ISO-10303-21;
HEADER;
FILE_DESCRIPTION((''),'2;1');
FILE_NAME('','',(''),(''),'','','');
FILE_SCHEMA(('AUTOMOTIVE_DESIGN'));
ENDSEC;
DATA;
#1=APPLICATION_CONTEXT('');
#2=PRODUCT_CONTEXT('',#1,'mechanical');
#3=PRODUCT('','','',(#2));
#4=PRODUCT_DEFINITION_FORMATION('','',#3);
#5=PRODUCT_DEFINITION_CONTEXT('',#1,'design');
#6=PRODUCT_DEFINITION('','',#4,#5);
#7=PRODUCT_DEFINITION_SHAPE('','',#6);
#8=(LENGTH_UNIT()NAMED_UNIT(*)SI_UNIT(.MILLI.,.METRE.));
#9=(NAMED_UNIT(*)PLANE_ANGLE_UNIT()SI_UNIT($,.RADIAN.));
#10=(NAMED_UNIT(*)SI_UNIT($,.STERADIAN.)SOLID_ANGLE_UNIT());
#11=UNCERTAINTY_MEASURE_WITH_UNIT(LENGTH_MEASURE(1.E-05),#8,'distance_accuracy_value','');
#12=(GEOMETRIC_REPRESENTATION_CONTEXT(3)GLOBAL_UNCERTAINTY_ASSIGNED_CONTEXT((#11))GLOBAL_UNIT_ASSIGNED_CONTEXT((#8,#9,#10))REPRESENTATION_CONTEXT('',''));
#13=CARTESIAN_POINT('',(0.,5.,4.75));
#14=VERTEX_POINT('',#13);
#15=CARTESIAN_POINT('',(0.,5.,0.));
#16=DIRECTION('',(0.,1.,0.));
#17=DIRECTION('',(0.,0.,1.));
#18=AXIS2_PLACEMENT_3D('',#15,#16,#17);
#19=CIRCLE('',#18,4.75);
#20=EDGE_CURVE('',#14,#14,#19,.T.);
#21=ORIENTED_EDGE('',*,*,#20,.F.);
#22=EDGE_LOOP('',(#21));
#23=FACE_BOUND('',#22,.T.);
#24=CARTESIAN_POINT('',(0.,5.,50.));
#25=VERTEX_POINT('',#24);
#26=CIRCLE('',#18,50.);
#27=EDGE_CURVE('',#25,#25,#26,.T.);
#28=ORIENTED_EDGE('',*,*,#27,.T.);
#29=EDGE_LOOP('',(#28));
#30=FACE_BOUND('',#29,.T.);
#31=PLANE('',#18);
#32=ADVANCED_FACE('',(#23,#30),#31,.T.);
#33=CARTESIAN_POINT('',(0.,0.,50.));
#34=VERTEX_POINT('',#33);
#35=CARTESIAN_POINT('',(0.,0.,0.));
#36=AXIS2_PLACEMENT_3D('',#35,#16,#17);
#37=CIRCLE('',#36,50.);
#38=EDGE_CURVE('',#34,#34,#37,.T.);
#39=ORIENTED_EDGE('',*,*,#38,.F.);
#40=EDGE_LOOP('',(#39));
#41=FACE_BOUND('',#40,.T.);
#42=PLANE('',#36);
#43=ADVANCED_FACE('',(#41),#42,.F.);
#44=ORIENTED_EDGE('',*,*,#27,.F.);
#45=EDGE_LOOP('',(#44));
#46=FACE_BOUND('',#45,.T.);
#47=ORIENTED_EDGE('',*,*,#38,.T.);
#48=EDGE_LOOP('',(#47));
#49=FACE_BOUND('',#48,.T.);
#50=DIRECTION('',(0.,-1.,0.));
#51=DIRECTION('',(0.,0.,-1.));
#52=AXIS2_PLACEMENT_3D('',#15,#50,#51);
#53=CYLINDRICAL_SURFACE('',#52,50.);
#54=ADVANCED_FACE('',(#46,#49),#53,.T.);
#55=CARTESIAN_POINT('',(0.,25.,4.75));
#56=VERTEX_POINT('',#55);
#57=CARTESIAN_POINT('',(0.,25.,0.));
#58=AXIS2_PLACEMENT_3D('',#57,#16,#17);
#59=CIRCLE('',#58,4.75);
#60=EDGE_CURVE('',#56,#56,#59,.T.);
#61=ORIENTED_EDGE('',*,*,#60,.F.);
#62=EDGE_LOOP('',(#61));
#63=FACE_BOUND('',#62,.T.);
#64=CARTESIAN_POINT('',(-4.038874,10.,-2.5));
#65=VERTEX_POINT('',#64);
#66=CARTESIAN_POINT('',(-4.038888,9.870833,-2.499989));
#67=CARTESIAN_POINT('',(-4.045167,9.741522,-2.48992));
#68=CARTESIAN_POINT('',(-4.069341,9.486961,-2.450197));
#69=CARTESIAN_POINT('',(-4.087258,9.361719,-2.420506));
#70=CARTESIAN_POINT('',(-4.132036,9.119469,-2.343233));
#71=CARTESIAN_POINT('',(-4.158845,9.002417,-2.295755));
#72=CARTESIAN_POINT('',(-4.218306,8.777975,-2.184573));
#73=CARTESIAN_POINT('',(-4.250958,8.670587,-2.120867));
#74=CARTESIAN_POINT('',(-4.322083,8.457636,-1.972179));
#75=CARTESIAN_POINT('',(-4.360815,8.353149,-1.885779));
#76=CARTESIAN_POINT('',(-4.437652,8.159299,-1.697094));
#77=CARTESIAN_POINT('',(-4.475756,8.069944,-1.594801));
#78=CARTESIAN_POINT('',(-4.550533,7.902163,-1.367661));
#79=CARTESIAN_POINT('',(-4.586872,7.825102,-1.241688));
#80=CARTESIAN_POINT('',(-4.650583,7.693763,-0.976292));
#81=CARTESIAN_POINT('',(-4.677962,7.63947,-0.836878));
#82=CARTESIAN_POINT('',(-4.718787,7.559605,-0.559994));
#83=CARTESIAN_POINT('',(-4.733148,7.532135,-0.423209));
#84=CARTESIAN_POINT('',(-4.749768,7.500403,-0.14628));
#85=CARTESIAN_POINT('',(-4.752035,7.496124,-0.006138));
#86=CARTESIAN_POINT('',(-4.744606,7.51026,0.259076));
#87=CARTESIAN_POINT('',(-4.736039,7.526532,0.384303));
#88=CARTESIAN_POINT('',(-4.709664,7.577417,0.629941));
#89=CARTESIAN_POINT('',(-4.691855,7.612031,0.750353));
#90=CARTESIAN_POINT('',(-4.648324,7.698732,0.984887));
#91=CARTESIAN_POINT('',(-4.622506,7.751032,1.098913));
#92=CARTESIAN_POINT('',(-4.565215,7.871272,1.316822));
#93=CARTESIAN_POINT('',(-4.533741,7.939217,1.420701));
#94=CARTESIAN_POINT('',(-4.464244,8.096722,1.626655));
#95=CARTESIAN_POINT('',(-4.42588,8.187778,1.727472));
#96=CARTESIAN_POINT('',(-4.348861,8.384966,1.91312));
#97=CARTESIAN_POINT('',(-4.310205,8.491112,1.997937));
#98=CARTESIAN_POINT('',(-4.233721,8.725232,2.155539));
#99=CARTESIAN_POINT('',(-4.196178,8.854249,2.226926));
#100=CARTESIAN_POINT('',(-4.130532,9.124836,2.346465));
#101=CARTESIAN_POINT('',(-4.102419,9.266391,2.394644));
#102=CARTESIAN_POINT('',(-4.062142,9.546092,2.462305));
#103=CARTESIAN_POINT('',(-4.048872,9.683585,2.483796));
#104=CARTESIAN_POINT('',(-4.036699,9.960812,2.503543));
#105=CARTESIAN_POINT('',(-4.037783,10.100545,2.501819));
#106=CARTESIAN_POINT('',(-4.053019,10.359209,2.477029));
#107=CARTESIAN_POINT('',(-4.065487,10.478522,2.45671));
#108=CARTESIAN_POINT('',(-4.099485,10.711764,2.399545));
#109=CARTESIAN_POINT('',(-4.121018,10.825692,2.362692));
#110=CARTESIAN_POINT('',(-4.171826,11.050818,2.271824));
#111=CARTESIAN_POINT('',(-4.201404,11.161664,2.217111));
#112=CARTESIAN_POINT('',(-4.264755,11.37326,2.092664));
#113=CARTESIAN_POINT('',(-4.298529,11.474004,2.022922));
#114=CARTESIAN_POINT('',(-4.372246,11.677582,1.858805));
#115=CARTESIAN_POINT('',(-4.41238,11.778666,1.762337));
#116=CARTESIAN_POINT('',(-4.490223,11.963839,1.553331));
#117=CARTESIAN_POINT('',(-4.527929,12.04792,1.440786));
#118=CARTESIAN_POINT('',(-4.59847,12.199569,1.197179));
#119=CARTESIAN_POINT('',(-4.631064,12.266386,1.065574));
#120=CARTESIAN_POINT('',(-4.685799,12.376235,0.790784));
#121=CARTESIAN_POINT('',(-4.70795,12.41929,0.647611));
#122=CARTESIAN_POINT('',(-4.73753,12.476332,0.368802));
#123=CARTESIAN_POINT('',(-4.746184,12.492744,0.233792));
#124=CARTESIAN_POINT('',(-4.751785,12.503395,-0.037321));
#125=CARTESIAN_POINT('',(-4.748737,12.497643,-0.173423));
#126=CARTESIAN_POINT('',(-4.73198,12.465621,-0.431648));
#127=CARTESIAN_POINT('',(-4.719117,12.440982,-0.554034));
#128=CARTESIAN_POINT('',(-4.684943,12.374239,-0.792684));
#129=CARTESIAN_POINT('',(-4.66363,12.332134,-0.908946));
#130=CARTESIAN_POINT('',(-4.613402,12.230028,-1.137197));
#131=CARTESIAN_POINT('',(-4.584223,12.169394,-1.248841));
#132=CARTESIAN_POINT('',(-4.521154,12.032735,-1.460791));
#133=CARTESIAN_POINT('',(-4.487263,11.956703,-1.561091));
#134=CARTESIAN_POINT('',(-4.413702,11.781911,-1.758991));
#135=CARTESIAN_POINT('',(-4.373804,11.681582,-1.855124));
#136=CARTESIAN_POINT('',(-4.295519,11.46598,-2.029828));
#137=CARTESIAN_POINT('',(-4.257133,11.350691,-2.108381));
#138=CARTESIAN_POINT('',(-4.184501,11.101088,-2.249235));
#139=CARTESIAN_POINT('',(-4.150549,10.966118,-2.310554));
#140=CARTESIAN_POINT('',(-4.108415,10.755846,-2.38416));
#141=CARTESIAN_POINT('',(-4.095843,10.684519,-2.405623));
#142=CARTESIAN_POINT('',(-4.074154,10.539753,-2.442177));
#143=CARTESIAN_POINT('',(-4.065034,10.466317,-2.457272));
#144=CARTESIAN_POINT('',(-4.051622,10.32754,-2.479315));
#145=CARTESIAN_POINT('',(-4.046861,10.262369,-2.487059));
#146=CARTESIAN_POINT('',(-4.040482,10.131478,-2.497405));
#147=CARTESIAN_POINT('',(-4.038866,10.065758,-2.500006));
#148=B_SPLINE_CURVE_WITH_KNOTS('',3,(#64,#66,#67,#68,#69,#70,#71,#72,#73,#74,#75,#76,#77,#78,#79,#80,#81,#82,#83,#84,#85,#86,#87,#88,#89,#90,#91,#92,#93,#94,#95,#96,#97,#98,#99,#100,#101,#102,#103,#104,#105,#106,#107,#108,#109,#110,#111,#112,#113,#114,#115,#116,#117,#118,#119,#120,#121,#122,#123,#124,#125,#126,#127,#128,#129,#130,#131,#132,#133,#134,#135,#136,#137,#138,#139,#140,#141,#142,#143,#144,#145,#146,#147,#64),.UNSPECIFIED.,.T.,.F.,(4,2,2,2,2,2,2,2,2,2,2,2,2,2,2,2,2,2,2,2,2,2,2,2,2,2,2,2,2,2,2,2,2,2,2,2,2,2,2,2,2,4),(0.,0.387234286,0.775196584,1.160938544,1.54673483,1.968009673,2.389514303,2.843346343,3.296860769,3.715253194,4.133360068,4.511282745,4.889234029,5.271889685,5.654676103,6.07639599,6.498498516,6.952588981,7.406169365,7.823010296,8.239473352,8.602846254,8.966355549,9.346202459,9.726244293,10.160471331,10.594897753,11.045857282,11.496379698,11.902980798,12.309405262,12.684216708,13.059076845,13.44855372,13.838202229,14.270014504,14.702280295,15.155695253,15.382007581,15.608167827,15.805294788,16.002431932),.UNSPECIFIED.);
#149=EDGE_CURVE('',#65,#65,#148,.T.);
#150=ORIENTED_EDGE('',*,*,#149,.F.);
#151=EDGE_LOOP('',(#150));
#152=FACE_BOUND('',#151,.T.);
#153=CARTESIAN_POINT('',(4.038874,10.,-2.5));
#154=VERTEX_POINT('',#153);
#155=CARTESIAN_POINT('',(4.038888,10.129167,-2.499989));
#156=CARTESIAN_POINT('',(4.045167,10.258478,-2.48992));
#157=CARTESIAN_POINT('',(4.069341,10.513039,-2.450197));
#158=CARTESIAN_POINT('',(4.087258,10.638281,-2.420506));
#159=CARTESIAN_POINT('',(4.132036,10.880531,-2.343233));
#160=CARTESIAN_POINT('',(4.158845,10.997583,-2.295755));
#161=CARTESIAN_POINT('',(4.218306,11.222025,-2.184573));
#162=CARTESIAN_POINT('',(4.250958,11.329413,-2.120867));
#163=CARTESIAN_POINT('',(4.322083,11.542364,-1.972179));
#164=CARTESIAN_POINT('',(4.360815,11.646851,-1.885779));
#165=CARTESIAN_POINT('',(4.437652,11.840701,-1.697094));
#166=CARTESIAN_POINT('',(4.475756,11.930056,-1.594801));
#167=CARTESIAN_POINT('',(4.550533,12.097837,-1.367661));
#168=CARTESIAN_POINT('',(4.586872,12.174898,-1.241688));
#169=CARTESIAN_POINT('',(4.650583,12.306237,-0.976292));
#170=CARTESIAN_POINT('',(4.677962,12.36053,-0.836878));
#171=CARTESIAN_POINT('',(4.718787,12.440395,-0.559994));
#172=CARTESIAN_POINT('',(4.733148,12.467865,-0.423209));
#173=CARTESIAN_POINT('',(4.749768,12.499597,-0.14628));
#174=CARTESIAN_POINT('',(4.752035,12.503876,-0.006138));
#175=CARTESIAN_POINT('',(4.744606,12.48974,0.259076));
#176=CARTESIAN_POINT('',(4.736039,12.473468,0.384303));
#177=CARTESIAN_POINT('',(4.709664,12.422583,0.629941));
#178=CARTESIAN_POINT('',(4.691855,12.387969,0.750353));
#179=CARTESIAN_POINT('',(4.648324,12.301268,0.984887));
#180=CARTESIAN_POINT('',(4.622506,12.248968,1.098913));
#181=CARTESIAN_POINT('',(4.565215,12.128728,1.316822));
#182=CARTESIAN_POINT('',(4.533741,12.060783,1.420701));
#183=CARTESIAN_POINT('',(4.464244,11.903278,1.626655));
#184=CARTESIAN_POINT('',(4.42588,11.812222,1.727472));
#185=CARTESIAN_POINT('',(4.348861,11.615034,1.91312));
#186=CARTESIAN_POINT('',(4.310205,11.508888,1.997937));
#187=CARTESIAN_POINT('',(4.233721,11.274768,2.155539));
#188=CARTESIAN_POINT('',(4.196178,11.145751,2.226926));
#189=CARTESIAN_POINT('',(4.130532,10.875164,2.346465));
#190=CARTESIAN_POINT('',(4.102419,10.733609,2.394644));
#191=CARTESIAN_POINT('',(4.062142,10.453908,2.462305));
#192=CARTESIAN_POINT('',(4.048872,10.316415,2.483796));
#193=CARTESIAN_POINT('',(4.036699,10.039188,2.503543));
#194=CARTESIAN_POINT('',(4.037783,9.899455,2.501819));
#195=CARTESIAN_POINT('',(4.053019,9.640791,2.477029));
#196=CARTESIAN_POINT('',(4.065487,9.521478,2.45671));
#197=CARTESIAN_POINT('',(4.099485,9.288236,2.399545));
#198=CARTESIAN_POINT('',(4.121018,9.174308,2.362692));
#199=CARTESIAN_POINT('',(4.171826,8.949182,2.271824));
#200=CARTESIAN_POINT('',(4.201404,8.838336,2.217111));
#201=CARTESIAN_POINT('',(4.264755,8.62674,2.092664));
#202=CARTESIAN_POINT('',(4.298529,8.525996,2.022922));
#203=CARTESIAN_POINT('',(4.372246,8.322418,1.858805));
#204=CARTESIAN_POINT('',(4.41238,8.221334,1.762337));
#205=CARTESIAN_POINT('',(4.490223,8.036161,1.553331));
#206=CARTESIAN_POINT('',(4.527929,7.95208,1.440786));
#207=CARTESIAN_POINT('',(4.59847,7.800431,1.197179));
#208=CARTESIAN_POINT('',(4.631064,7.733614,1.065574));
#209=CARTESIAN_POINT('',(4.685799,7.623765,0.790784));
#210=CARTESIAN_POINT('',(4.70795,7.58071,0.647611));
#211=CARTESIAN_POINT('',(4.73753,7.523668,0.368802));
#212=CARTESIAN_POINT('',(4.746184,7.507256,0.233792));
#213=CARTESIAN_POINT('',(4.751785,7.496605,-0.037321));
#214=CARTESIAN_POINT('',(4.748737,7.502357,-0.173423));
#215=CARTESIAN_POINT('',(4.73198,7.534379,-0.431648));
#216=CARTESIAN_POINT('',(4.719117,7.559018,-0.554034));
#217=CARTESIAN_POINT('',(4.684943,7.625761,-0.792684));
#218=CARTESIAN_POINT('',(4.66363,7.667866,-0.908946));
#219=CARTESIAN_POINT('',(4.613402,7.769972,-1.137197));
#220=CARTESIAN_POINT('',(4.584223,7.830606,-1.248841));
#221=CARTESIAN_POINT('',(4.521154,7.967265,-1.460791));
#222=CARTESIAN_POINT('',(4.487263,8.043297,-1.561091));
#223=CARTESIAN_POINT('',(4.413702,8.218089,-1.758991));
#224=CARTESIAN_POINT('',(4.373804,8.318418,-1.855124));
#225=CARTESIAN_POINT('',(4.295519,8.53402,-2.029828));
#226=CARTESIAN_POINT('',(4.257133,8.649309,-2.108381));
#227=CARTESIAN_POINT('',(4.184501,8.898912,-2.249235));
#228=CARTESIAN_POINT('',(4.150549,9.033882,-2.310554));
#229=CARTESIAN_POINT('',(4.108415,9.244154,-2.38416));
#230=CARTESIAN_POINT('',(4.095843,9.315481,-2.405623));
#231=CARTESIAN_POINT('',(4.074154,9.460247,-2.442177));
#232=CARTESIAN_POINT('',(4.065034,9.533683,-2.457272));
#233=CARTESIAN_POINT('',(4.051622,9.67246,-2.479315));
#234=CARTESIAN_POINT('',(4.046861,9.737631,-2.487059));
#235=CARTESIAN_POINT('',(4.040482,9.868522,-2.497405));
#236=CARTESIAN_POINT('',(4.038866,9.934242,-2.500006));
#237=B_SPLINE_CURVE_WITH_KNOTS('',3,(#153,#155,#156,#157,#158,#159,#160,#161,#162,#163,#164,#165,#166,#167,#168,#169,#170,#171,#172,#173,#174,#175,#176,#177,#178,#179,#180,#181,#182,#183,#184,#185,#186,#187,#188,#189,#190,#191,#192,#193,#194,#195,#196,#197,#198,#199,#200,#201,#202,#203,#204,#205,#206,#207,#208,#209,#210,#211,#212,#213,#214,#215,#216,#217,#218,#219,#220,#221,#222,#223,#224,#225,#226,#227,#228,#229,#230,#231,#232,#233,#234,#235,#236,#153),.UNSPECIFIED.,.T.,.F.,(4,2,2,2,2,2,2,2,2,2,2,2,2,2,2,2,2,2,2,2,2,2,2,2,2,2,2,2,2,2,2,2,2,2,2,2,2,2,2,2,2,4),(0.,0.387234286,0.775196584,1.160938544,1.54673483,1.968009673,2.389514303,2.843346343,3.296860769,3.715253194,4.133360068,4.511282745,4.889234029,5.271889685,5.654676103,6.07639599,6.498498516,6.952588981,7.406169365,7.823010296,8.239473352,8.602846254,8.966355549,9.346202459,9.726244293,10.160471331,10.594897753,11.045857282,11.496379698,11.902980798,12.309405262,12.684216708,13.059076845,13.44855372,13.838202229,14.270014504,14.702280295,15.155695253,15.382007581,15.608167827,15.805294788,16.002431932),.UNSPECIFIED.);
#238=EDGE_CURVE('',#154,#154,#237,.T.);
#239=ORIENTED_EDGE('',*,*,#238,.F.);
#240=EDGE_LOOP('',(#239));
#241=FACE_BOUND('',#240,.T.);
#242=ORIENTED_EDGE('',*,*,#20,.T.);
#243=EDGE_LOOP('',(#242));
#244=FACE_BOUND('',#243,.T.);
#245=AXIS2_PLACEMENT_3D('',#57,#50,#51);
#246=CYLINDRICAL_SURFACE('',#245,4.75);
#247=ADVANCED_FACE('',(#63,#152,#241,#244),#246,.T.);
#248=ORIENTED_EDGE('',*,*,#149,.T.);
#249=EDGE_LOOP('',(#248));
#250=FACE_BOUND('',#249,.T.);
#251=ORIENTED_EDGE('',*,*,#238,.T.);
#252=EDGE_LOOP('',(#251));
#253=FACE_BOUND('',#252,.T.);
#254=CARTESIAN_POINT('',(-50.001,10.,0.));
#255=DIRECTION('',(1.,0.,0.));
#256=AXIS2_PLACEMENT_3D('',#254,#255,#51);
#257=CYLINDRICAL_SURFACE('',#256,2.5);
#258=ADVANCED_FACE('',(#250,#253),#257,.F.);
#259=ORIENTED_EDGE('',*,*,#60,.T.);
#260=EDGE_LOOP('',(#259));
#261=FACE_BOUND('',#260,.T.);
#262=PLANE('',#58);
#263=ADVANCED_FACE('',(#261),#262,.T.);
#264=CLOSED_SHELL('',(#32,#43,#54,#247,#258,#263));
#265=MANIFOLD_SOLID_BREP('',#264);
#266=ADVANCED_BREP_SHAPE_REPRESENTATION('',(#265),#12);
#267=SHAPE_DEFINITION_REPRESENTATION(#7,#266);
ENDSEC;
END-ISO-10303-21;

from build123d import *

# Parameters (mm, degrees)
SKETCH1_R               = 50
BOSS_EXTRUDE1_DEPTH     = 5
SKETCH2_R               = 4.75
BOSS_EXTRUDE2_DEPTH     = 20
CUT_EXTRUDE1_REACH      = 80.247
CUT_EXTRUDE1_END_RADIUS = 4.75
SKETCH3_R               = 2.5


with BuildPart() as part:
    # Sketch1 → Boss-Extrude1 (new body)
    with BuildSketch(Plane(origin=(0, 0, 0), x_dir=(1, 0, 0), z_dir=(0, 1, 0))):
        with Locations(Location((0, 0, 0), (0, 0, 270))):
            Circle(SKETCH1_R)
    extrude(amount=BOSS_EXTRUDE1_DEPTH)

    # Sketch2 → Boss-Extrude2 (add)
    with BuildSketch(Plane(origin=(0, 5, 0), x_dir=(1, 0, 0), z_dir=(0, 1, 0))):
        with Locations(Location((0, 0, 0), (0, 0, 270))):
            Circle(SKETCH2_R)
    extrude(amount=BOSS_EXTRUDE2_DEPTH)

    # Cut-Extrude1: up to this cylinder (the profile starts inside it)
    cut_extrude1_end = Plane(origin=(0, 10, 0), z_dir=(0, -1, 0)) * Cylinder(CUT_EXTRUDE1_END_RADIUS, 170.994, mode=Mode.PRIVATE)
    # Sketch3 → Cut-Extrude1 (cut, up to the surface)
    with BuildSketch(Plane(origin=(4.75, 0, 0), x_dir=(0, 0, -1), z_dir=(1, 0, 0)), mode=Mode.PRIVATE) as cut_extrude1_sk1:
        with Locations((0, 10)):
            Circle(SKETCH3_R)
    cut_extrude1_tool1 = extrude(cut_extrude1_sk1.sketch, amount=-CUT_EXTRUDE1_REACH, mode=Mode.PRIVATE) & cut_extrude1_end
    add(cut_extrude1_tool1.solids().sort_by_distance((4.75, 10, 0))[0], mode=Mode.SUBTRACT)


solid = part.part
